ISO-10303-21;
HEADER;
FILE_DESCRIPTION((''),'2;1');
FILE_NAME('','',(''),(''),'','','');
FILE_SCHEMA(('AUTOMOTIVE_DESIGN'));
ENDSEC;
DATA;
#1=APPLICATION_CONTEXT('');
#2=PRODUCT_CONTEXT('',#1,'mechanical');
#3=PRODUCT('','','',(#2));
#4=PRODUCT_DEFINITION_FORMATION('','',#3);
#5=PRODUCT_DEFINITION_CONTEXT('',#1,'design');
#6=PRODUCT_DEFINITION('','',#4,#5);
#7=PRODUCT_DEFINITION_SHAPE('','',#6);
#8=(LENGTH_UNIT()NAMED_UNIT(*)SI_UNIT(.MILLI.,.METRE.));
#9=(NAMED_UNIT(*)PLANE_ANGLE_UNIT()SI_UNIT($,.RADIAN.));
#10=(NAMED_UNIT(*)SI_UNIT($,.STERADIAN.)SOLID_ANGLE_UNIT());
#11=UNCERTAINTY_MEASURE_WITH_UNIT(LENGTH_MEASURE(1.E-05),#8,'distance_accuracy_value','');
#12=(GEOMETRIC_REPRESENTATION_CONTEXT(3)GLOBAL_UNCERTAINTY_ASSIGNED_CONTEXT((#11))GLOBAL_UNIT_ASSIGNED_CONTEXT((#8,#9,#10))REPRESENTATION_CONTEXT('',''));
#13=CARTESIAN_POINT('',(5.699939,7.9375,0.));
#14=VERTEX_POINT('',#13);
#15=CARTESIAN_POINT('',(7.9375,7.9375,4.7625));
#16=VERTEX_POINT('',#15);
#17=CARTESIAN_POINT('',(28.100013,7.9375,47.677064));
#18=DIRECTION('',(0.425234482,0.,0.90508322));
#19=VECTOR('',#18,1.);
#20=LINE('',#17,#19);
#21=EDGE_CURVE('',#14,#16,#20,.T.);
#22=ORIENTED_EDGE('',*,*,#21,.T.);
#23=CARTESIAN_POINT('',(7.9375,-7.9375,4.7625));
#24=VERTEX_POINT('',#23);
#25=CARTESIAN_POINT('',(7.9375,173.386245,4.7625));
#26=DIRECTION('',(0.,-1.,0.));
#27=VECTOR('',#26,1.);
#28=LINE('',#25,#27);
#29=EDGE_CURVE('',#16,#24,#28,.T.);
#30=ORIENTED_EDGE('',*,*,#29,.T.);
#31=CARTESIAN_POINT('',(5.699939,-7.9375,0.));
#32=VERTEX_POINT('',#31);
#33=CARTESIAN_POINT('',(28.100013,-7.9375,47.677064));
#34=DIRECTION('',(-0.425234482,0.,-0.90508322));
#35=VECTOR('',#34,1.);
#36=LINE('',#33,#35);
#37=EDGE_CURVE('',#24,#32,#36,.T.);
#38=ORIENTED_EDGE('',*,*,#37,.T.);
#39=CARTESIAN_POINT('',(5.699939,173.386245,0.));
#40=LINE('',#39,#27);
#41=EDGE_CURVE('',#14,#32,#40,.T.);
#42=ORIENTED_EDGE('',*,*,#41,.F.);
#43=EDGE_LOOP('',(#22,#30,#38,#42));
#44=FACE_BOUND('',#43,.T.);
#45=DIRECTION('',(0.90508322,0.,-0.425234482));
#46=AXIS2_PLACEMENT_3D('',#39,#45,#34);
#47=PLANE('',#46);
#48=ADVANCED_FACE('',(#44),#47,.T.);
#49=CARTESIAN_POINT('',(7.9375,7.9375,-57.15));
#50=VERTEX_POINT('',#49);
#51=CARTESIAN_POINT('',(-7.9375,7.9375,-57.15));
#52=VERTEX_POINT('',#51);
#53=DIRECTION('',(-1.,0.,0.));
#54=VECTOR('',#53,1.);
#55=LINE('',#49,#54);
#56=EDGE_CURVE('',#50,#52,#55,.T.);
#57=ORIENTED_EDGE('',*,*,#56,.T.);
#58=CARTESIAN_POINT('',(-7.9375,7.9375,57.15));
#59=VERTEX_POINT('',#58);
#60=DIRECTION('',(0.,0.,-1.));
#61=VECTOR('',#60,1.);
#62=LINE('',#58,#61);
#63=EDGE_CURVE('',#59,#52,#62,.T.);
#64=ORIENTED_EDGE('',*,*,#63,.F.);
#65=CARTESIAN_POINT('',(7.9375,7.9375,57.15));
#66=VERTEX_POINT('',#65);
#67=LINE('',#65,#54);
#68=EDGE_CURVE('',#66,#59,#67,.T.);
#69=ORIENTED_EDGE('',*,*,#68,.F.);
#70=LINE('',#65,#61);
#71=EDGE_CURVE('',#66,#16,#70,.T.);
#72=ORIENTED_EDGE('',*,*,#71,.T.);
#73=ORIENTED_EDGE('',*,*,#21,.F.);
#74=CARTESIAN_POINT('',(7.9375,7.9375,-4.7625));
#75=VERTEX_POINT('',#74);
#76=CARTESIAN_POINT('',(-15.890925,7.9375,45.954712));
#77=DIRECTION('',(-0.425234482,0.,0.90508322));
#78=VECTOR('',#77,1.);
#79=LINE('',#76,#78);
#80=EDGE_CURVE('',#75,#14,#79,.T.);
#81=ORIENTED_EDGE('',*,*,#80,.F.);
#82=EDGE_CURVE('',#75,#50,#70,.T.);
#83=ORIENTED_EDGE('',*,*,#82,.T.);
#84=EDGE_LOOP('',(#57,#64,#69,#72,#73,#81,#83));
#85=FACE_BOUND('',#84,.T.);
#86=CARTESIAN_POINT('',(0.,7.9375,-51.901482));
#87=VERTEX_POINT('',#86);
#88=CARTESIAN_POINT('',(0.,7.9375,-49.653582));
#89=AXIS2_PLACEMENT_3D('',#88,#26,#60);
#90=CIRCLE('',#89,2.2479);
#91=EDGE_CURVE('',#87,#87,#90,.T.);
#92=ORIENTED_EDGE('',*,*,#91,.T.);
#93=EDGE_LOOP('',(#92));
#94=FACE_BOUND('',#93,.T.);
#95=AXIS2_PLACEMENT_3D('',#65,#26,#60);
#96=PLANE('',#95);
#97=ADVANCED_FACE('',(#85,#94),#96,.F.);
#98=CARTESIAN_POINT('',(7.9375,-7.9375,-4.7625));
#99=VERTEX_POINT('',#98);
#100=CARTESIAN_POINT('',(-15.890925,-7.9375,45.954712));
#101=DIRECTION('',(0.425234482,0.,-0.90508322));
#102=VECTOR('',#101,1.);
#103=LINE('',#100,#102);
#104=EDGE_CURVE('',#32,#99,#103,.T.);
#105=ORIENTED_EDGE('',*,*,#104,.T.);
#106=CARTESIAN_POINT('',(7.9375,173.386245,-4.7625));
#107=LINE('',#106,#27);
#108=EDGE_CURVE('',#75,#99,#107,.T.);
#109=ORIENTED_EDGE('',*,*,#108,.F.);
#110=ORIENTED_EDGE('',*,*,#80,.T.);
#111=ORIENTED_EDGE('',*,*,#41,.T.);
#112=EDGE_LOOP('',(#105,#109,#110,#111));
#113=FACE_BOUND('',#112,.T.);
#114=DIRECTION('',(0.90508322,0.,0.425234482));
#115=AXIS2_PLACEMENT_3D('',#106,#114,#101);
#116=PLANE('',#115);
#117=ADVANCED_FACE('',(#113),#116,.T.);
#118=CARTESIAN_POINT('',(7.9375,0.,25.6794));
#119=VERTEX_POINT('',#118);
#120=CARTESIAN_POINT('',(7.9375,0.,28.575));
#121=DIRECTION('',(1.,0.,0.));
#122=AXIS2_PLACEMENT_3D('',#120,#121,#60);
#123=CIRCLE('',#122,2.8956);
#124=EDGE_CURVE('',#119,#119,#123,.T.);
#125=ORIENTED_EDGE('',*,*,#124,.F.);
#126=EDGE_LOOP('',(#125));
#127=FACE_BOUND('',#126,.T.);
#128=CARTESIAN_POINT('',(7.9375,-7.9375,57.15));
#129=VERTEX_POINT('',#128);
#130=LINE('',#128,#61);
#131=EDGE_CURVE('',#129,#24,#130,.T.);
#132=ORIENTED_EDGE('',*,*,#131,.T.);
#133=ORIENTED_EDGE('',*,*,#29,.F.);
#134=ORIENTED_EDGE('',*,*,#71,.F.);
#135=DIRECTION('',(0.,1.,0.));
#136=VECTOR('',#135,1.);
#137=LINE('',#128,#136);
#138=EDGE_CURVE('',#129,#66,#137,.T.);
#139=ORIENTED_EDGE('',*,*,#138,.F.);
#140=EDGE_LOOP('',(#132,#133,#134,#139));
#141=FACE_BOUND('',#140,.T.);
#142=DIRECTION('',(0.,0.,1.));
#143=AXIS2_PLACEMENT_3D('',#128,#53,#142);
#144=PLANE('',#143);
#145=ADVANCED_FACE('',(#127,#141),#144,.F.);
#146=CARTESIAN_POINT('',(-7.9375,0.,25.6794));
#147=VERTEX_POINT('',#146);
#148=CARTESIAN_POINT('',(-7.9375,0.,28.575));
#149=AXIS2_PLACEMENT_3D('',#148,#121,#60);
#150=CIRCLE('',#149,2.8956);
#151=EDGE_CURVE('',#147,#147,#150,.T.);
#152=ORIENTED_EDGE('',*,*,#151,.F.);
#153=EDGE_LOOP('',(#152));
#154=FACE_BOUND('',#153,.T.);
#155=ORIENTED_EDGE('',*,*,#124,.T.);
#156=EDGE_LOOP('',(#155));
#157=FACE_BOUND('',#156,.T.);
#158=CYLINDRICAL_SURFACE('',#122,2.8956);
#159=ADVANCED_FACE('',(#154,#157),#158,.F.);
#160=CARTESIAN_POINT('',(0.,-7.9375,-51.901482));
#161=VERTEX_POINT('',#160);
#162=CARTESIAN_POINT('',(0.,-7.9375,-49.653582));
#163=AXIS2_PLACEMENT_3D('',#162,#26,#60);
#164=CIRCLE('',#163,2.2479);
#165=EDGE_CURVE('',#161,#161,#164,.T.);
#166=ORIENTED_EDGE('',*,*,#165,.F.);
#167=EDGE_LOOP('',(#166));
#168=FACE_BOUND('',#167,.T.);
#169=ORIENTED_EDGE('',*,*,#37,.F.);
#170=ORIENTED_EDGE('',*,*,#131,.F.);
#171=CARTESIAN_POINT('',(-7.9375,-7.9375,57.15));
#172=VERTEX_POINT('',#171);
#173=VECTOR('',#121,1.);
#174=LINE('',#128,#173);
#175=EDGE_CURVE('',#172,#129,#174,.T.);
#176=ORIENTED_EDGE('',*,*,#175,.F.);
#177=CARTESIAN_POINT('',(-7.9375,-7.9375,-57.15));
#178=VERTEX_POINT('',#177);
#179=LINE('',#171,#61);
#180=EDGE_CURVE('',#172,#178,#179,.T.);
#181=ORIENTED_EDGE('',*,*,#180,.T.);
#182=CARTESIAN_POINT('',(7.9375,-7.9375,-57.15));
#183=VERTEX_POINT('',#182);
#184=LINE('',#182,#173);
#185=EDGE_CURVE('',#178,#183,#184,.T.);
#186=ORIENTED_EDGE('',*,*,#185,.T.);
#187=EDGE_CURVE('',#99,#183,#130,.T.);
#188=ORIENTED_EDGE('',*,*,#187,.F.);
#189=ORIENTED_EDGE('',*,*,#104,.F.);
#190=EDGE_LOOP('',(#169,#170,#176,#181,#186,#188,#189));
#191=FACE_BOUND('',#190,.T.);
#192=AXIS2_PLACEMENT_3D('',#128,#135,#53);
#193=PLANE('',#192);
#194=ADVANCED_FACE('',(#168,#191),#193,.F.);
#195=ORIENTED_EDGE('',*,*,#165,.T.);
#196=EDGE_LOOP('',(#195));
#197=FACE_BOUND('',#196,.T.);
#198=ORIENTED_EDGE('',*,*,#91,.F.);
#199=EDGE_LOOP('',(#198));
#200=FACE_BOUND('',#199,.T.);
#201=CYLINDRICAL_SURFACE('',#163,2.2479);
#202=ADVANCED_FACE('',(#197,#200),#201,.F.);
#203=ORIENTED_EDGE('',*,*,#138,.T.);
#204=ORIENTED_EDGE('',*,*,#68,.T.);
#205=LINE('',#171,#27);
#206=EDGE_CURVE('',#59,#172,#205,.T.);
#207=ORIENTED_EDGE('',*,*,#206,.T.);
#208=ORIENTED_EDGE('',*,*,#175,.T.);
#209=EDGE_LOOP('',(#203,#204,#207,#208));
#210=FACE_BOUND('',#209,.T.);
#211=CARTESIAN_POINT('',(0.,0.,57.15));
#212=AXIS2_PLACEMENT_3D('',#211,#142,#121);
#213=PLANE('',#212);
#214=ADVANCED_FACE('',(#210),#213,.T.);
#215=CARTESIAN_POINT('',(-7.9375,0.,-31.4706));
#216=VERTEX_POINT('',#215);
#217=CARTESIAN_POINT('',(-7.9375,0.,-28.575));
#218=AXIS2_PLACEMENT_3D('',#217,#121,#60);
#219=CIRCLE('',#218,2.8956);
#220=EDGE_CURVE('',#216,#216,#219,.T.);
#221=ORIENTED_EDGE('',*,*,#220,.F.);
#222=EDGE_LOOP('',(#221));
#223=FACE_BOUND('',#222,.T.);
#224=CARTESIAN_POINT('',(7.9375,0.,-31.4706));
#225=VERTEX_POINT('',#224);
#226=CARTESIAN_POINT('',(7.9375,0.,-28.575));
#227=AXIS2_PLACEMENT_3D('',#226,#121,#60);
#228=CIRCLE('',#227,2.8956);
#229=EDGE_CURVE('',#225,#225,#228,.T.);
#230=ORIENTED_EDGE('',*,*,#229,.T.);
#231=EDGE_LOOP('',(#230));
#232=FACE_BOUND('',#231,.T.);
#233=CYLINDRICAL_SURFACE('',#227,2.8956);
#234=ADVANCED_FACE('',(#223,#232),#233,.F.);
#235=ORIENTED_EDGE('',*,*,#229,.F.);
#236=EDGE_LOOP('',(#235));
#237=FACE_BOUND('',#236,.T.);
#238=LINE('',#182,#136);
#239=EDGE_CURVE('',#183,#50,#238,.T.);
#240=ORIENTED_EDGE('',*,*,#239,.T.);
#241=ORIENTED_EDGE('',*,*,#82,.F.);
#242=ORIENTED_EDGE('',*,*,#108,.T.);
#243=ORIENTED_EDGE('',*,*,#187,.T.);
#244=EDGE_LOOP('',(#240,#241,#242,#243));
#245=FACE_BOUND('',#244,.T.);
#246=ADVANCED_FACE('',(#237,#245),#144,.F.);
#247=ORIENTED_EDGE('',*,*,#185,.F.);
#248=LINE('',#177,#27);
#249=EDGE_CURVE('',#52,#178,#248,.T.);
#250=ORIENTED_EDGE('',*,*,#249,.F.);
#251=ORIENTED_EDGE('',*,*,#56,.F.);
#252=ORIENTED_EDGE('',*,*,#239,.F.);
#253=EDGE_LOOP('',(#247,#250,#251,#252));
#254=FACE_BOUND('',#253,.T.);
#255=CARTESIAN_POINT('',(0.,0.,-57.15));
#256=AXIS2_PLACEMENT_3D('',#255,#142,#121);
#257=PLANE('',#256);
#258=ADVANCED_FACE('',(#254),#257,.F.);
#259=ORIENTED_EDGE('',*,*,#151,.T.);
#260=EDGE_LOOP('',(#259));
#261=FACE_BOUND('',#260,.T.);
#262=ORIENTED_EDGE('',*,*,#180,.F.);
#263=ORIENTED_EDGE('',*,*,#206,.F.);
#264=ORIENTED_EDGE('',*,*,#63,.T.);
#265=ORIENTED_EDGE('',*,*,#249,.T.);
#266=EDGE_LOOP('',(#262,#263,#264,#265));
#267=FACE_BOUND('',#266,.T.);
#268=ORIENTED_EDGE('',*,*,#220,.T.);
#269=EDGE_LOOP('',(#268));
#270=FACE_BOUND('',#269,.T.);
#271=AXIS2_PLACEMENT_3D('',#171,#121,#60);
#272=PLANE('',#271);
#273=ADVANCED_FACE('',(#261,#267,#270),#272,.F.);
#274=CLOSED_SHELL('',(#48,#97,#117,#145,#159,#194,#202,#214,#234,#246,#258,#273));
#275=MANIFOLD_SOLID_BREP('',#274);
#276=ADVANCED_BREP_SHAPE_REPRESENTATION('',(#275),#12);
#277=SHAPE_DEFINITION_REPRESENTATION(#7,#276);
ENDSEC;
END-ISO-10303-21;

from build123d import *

# Parameters (mm, degrees)
SKETCH1_W                  = 15.875
SKETCH1_H                  = 15.875
BOSS_EXTRUDE1_DEPTH        = 57.15
CUT_EXTRUDE1_DEPTH         = 60.842643919
CUT_EXTRUDE1_DEPTH_BACK    = 60.842643919
F_12_CLEARANCE_HOLE1_D     = 5.7912
F_12_CLEARANCE_HOLE1_DEPTH = 42.07002
F_12_CLEARANCE_HOLE1_TIP   = 1.739852008
F_12_24_TAPPED_HOLE1_D     = 4.4958


with BuildPart() as part:
    # Sketch1 → Boss-Extrude1 (new, symmetric)
    with BuildSketch(Plane.XY):
        Rectangle(SKETCH1_W, SKETCH1_H)
    extrude(amount=BOSS_EXTRUDE1_DEPTH, both=True)

    # Sketch2 → Cut-Extrude1 (cut, two sides: drawn at the far end of the back side and taken through both)
    with BuildSketch(Plane(origin=(0, 7.9375, 0), x_dir=(1, 0, 0), z_dir=(0, 1, 0)).offset(-CUT_EXTRUDE1_DEPTH_BACK)):
        Polygon((66.547875099, 129.510772403), (7.9375, 4.7625), (5.699938661, 0), (7.9375, -4.7625), (66.547875099, -129.510772403), (342.209316267, -129.510772403), (342.209316267, 129.510772403), align=None)
    extrude(amount=CUT_EXTRUDE1_DEPTH + CUT_EXTRUDE1_DEPTH_BACK, mode=Mode.SUBTRACT)

    # #12 Clearance Hole1
    with Locations(Plane(origin=(7.9375, 0, 0), x_dir=(0, 0, -1), z_dir=(1, 0, 0))):
        with Locations((28.575, 0), (-28.575, 0)):
            Hole(F_12_CLEARANCE_HOLE1_D / 2, depth=F_12_CLEARANCE_HOLE1_DEPTH)
            with Locations((0, 0, -(F_12_CLEARANCE_HOLE1_DEPTH + F_12_CLEARANCE_HOLE1_TIP / 2))):  # 118° drill point
                Cone(0, F_12_CLEARANCE_HOLE1_D / 2, F_12_CLEARANCE_HOLE1_TIP, mode=Mode.SUBTRACT)

    # #12-24 Tapped Hole1 (through all)
    with Locations(Plane(origin=(0, -7.9375, 0), x_dir=(-1, 0, 0), z_dir=(0, -1, 0))):
        with Locations((0, 49.653581933)):
            Hole(F_12_24_TAPPED_HOLE1_D / 2)


solid = part.part
